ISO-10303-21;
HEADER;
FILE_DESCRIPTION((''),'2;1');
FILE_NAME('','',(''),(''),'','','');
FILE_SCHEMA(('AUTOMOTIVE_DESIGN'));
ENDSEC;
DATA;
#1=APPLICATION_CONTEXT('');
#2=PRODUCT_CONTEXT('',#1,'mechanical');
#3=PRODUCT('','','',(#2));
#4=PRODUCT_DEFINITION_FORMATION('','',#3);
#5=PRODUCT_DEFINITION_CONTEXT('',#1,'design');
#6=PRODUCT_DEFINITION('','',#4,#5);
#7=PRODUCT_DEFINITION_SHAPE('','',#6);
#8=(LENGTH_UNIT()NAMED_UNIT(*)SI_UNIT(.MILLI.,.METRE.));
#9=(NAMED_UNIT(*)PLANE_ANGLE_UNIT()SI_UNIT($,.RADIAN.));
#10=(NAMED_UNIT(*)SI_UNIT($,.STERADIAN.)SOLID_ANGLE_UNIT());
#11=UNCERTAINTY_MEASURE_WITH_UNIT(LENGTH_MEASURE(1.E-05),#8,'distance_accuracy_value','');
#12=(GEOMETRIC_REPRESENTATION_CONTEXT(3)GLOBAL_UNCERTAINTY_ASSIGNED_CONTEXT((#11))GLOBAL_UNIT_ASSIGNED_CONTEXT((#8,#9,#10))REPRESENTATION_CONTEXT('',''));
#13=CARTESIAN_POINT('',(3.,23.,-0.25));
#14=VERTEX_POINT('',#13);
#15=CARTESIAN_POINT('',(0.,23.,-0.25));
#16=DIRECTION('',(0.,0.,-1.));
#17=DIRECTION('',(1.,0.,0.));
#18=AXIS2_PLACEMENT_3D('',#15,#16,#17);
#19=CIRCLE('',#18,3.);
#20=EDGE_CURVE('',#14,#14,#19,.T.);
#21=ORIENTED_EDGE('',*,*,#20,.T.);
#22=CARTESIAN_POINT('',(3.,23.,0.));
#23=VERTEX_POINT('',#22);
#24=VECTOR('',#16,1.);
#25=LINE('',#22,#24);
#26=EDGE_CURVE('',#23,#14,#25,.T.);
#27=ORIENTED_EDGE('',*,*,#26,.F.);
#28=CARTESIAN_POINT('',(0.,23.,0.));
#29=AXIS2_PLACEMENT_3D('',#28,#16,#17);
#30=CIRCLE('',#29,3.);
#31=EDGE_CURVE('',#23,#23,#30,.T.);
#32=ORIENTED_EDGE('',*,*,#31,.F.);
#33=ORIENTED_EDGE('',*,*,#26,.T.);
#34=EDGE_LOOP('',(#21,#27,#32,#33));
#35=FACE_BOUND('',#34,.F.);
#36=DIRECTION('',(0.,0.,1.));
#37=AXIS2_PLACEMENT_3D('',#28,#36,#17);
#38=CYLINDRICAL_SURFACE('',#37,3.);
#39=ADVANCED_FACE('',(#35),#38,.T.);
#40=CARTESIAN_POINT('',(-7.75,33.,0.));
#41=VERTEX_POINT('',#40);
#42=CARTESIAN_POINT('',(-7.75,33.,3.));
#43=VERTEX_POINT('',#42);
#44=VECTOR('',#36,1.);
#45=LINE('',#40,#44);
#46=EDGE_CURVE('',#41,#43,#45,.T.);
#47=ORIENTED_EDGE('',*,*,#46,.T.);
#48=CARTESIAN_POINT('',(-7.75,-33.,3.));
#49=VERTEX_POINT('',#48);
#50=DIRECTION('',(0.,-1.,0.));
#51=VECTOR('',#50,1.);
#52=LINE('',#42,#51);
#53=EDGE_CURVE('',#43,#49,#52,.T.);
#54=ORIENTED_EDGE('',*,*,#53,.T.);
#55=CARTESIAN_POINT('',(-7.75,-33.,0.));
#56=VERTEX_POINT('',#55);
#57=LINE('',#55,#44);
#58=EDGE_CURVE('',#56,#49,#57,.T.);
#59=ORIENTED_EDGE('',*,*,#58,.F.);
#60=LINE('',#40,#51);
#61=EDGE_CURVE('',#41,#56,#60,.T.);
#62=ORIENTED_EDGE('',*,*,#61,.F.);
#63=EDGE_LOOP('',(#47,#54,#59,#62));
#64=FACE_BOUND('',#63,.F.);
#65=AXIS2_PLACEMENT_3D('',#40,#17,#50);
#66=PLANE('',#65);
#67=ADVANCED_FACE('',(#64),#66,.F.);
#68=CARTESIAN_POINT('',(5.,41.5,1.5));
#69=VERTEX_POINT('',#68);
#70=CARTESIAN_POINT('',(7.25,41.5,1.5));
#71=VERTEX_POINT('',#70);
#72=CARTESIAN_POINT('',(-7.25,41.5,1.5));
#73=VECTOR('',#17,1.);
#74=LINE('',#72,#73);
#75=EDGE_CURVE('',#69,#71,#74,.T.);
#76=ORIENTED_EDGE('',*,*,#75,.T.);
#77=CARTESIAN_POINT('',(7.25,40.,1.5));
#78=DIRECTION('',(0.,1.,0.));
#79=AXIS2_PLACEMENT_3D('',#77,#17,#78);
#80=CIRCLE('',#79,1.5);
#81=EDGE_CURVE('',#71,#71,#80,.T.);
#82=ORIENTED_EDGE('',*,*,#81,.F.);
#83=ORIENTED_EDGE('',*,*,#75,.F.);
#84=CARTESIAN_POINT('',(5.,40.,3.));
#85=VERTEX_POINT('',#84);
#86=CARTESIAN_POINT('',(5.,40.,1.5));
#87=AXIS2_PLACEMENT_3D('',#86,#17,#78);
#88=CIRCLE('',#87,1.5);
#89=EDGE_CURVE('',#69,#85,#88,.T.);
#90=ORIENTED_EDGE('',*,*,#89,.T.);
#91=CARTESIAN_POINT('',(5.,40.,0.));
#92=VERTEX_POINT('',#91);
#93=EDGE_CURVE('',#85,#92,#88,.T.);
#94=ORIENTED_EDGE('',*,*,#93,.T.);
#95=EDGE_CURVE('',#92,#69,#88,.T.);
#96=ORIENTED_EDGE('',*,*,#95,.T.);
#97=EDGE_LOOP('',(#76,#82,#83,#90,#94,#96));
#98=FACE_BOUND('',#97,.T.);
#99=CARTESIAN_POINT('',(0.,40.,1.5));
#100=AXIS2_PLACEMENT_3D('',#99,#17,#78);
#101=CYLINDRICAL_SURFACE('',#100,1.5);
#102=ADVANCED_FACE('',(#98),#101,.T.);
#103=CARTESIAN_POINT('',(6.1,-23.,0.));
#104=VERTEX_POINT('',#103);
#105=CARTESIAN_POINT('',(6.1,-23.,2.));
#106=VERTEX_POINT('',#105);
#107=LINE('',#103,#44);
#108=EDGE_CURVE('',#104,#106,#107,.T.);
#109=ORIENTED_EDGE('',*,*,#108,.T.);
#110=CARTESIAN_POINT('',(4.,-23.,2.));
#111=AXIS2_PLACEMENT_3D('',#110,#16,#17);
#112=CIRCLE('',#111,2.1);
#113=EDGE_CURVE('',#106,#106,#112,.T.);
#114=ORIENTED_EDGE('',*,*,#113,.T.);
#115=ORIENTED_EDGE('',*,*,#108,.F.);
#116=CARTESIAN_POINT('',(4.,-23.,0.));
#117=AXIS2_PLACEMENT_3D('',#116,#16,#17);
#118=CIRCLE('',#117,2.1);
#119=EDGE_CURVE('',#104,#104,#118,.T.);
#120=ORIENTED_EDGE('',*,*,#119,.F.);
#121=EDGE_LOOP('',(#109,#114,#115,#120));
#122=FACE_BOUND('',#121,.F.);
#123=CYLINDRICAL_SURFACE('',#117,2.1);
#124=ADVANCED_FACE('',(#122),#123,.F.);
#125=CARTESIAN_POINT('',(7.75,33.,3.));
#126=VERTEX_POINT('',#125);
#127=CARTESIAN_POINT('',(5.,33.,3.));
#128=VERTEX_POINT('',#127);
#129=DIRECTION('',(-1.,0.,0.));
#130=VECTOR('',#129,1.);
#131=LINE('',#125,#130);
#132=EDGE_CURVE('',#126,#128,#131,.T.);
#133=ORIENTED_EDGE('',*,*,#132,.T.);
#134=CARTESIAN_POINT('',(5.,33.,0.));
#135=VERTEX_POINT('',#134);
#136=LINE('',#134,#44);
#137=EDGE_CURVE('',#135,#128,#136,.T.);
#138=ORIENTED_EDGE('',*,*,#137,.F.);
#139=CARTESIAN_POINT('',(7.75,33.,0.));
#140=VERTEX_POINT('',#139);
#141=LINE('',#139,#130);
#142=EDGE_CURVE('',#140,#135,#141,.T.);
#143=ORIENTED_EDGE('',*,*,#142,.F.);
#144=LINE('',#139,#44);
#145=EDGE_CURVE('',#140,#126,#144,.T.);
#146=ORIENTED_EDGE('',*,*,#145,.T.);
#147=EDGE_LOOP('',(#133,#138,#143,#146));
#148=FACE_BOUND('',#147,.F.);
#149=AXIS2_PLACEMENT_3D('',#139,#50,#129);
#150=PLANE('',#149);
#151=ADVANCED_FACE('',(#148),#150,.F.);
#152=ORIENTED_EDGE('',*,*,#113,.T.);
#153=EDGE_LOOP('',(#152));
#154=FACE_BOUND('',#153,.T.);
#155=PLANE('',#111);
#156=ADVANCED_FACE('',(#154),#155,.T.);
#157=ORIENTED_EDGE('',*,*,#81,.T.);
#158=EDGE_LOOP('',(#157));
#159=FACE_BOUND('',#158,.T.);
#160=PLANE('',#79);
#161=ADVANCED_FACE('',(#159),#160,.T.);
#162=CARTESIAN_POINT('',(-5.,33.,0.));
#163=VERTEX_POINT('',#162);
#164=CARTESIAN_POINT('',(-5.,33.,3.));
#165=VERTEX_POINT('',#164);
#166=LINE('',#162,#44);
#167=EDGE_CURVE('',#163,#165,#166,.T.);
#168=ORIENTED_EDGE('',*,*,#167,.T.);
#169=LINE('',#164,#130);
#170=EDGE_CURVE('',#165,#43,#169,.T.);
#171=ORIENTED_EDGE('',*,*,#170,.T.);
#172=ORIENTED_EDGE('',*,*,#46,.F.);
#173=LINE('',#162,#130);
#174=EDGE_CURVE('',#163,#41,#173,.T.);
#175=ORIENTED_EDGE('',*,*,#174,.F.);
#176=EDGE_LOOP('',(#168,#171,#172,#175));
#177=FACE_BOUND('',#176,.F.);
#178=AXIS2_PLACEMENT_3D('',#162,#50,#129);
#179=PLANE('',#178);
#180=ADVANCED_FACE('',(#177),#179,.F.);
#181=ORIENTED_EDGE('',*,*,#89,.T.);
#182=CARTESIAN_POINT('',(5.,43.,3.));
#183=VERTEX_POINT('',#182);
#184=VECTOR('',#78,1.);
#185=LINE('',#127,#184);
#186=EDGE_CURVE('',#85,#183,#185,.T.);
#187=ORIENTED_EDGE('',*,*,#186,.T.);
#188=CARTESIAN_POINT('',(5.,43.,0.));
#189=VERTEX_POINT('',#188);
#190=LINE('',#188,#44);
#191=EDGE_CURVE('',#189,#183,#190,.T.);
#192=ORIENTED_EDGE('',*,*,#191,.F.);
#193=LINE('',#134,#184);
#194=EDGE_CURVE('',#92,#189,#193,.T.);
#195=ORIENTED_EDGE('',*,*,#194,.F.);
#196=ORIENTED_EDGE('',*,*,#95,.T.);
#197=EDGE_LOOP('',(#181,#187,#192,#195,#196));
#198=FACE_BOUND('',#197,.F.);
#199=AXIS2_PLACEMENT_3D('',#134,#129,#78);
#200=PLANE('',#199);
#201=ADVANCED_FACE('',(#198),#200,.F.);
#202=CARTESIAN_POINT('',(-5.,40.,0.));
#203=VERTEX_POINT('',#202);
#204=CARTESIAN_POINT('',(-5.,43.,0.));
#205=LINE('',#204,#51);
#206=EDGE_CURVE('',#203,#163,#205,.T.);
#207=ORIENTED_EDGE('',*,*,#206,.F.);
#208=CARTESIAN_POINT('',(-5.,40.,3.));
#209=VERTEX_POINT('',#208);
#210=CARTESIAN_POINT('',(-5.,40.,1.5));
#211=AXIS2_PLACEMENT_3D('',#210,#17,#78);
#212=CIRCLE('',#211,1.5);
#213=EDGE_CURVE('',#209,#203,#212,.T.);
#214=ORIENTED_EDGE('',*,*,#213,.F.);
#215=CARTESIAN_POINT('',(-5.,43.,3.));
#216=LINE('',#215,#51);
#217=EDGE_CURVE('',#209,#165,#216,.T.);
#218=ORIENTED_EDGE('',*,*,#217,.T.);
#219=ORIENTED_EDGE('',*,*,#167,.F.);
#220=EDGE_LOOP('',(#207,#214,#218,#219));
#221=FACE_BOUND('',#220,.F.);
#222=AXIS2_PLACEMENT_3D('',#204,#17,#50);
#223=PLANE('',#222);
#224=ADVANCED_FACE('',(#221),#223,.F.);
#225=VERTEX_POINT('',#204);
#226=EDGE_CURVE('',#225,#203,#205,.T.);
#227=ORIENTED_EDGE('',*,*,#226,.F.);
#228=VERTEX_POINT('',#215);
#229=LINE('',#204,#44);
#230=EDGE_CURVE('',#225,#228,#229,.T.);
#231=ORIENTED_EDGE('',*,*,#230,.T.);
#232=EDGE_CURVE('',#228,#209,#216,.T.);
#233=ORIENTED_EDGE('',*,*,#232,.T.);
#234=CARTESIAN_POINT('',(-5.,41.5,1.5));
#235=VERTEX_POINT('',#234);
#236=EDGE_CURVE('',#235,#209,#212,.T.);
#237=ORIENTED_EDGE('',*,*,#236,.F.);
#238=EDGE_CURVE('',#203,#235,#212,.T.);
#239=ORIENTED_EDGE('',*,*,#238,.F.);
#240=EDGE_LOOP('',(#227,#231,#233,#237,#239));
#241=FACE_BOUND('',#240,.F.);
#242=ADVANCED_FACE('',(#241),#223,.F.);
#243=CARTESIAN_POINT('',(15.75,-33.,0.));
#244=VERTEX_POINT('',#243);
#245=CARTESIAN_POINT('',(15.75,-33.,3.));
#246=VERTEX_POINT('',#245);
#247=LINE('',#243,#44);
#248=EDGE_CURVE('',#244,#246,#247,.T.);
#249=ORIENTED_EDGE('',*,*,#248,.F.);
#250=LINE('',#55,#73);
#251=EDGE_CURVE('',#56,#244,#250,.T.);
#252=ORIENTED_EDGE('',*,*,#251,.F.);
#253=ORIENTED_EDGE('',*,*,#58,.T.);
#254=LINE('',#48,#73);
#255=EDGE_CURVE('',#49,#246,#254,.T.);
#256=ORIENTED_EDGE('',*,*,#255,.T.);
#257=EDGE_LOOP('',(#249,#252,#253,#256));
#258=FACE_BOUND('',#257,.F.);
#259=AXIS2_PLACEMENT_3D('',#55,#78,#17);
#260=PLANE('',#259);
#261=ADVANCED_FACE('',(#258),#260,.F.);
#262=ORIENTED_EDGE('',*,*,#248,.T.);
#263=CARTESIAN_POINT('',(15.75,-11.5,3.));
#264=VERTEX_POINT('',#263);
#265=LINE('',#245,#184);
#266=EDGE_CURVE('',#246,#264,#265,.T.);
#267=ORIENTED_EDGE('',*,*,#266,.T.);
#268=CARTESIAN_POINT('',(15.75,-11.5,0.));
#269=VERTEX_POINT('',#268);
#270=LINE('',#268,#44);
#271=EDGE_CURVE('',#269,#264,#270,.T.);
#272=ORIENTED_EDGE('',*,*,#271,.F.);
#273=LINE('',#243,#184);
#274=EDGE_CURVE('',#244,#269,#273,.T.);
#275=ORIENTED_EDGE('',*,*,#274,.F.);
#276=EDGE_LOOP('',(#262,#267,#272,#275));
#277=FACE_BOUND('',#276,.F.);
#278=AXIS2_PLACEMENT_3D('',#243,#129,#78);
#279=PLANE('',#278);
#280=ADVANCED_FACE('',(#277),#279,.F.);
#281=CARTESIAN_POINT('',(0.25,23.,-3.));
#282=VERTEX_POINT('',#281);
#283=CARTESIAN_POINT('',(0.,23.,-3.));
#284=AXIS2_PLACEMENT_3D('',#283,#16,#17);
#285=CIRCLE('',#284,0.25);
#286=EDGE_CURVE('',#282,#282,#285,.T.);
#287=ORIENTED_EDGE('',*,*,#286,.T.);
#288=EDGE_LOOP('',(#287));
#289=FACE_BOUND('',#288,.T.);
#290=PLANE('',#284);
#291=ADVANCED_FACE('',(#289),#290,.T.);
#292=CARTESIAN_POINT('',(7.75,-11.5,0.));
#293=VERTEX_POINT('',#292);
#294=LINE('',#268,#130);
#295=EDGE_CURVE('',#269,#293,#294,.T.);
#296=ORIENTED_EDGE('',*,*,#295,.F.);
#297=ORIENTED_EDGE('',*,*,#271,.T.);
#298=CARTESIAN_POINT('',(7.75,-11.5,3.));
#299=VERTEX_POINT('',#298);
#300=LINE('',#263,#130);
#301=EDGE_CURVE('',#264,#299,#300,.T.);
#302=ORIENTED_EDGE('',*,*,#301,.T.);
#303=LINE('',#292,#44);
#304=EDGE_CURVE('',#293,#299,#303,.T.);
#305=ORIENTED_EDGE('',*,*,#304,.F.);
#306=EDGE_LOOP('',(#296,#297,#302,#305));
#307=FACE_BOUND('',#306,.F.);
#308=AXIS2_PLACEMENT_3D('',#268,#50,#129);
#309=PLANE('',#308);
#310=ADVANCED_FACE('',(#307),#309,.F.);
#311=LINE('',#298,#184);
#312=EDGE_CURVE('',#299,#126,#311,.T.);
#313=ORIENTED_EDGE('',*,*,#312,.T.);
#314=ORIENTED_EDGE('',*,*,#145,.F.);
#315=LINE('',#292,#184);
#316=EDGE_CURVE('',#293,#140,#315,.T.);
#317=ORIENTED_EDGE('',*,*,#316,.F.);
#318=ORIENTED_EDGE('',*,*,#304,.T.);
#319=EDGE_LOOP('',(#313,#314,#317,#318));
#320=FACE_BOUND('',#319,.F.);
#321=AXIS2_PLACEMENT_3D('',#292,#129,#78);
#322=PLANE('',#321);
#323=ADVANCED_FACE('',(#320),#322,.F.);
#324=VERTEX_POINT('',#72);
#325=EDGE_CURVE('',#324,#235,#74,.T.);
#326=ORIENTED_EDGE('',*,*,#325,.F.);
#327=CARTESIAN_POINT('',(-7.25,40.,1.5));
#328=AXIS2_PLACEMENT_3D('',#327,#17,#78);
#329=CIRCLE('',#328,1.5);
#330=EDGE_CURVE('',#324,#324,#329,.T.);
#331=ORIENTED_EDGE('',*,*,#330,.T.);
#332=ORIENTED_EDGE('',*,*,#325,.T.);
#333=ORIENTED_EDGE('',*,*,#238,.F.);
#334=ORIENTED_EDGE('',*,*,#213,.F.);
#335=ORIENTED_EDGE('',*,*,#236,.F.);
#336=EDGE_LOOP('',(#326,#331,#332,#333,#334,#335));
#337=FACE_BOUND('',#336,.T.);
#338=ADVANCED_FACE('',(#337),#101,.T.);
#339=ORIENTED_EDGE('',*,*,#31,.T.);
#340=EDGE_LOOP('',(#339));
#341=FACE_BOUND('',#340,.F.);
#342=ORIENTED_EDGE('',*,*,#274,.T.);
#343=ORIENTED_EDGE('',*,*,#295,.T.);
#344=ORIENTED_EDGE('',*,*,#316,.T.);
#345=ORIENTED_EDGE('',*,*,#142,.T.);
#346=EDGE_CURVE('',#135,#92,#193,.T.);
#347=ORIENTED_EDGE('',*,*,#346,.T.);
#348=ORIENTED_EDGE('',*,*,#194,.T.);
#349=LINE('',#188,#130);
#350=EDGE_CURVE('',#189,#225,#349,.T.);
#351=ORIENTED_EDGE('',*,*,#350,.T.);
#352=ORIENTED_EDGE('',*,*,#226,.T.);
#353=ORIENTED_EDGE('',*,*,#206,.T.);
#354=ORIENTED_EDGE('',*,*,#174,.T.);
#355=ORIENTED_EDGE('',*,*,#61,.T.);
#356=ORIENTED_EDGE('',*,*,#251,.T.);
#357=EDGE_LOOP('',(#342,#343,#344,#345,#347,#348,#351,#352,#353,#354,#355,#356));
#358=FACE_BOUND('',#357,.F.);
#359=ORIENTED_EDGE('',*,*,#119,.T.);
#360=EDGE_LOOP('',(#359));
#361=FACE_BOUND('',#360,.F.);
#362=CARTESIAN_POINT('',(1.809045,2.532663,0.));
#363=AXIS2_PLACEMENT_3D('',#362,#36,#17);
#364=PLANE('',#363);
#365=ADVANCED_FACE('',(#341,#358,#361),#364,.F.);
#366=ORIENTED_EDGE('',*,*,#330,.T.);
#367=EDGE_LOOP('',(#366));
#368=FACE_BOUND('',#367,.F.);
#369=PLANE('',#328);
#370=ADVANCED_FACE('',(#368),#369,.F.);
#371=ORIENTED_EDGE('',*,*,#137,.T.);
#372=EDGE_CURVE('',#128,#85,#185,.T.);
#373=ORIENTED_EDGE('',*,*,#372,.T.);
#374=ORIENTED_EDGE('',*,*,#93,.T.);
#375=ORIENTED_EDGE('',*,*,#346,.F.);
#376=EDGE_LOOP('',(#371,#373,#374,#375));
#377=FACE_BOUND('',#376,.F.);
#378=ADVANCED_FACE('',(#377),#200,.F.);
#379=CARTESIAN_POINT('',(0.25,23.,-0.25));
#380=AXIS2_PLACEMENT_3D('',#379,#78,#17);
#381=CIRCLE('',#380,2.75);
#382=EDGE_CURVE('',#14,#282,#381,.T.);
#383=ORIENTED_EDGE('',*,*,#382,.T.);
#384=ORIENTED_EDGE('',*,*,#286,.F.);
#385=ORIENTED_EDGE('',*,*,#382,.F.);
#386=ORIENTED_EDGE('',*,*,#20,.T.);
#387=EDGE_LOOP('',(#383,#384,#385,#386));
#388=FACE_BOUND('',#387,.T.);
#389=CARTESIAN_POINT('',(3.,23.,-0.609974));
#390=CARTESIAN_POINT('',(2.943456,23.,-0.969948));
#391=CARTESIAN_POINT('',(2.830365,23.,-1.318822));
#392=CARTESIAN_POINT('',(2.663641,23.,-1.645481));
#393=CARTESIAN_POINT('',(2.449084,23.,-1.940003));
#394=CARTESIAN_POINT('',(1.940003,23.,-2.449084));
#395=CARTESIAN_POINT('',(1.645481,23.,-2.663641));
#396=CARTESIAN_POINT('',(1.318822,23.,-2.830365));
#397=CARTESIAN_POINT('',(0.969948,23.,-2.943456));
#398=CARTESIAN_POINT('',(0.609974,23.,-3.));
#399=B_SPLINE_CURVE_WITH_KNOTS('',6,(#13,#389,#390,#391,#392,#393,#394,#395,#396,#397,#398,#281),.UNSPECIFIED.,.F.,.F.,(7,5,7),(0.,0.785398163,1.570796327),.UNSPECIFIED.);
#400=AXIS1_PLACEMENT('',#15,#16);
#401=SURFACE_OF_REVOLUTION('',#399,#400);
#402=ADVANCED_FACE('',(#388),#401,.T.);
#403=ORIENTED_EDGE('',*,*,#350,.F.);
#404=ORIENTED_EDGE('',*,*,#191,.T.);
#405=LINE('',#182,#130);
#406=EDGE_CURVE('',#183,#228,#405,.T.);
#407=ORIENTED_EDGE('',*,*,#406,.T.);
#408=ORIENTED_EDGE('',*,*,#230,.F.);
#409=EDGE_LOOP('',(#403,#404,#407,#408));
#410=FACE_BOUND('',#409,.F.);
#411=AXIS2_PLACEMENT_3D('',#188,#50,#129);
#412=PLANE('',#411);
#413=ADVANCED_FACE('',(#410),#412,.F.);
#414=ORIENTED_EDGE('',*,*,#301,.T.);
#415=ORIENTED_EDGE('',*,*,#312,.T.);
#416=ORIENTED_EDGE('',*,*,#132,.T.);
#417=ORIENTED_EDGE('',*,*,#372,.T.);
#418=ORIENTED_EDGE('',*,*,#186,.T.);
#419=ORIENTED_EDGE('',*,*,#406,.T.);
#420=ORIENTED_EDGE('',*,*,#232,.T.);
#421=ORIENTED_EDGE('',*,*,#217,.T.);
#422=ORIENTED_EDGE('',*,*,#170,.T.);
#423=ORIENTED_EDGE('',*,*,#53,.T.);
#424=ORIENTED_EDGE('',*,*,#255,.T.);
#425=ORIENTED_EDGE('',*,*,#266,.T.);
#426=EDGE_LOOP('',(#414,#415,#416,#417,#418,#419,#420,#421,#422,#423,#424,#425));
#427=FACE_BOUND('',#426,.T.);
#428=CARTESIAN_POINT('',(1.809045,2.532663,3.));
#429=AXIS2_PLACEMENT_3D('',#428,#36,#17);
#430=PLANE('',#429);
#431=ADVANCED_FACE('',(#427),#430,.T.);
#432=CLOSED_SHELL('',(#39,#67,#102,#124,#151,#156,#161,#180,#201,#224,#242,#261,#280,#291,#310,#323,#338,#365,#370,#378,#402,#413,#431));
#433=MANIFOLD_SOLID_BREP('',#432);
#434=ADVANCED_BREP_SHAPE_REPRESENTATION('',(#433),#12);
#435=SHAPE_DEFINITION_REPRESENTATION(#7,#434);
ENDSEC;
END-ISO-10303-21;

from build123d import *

# Parameters (mm, degrees)
PAD_DEPTH    = 3
SKETCH001_R  = 1.5
PAD001_DEPTH = 7.25
SKETCH002_R  = 2.1
POCKET_DEPTH = 2
SKETCH003_R  = 3
PAD002_DEPTH = 3
FILLET_R     = 2.75


with BuildPart() as part:
    # Sketch → Pad (new body)
    with BuildSketch(Plane.XY):
        Polygon((-7.75, 33), (-7.75, -33), (15.75, -33), (15.75, -11.5), (7.75, -11.5), (7.75, 33), (5, 33), (5, 43), (-5, 43), (-5, 33), align=None)
    extrude(amount=PAD_DEPTH)

    # Sketch001 → Pad001 (join, symmetric)
    with BuildSketch(Plane.YZ):
        with Locations((40, 1.5)):
            Circle(SKETCH001_R)
    extrude(amount=PAD001_DEPTH, both=True)

    # Sketch002 (on Face4 of Pad001) → Pocket (cut)
    with BuildSketch(Plane(origin=(0, 0, 0), x_dir=(1, 0, 0), z_dir=(0, 0, -1))):
        with Locations((4, 23)):
            Circle(SKETCH002_R)
    extrude(amount=-POCKET_DEPTH, mode=Mode.SUBTRACT)

    # Sketch003 (on Face4 of Pocket) → Pad002 (join)
    with BuildSketch(Plane(origin=(0, 0, 0), x_dir=(1, 0, 0), z_dir=(0, 0, -1))):
        with Locations((0, -23)):
            Circle(SKETCH003_R)
    extrude(amount=PAD002_DEPTH)

    # Fillet
    fillet_edges = [part.edges().sort_by_distance(p)[0] for p in [
        (-3, 23, -3),
    ]]
    fillet(fillet_edges, radius=FILLET_R)


solid = part.part
